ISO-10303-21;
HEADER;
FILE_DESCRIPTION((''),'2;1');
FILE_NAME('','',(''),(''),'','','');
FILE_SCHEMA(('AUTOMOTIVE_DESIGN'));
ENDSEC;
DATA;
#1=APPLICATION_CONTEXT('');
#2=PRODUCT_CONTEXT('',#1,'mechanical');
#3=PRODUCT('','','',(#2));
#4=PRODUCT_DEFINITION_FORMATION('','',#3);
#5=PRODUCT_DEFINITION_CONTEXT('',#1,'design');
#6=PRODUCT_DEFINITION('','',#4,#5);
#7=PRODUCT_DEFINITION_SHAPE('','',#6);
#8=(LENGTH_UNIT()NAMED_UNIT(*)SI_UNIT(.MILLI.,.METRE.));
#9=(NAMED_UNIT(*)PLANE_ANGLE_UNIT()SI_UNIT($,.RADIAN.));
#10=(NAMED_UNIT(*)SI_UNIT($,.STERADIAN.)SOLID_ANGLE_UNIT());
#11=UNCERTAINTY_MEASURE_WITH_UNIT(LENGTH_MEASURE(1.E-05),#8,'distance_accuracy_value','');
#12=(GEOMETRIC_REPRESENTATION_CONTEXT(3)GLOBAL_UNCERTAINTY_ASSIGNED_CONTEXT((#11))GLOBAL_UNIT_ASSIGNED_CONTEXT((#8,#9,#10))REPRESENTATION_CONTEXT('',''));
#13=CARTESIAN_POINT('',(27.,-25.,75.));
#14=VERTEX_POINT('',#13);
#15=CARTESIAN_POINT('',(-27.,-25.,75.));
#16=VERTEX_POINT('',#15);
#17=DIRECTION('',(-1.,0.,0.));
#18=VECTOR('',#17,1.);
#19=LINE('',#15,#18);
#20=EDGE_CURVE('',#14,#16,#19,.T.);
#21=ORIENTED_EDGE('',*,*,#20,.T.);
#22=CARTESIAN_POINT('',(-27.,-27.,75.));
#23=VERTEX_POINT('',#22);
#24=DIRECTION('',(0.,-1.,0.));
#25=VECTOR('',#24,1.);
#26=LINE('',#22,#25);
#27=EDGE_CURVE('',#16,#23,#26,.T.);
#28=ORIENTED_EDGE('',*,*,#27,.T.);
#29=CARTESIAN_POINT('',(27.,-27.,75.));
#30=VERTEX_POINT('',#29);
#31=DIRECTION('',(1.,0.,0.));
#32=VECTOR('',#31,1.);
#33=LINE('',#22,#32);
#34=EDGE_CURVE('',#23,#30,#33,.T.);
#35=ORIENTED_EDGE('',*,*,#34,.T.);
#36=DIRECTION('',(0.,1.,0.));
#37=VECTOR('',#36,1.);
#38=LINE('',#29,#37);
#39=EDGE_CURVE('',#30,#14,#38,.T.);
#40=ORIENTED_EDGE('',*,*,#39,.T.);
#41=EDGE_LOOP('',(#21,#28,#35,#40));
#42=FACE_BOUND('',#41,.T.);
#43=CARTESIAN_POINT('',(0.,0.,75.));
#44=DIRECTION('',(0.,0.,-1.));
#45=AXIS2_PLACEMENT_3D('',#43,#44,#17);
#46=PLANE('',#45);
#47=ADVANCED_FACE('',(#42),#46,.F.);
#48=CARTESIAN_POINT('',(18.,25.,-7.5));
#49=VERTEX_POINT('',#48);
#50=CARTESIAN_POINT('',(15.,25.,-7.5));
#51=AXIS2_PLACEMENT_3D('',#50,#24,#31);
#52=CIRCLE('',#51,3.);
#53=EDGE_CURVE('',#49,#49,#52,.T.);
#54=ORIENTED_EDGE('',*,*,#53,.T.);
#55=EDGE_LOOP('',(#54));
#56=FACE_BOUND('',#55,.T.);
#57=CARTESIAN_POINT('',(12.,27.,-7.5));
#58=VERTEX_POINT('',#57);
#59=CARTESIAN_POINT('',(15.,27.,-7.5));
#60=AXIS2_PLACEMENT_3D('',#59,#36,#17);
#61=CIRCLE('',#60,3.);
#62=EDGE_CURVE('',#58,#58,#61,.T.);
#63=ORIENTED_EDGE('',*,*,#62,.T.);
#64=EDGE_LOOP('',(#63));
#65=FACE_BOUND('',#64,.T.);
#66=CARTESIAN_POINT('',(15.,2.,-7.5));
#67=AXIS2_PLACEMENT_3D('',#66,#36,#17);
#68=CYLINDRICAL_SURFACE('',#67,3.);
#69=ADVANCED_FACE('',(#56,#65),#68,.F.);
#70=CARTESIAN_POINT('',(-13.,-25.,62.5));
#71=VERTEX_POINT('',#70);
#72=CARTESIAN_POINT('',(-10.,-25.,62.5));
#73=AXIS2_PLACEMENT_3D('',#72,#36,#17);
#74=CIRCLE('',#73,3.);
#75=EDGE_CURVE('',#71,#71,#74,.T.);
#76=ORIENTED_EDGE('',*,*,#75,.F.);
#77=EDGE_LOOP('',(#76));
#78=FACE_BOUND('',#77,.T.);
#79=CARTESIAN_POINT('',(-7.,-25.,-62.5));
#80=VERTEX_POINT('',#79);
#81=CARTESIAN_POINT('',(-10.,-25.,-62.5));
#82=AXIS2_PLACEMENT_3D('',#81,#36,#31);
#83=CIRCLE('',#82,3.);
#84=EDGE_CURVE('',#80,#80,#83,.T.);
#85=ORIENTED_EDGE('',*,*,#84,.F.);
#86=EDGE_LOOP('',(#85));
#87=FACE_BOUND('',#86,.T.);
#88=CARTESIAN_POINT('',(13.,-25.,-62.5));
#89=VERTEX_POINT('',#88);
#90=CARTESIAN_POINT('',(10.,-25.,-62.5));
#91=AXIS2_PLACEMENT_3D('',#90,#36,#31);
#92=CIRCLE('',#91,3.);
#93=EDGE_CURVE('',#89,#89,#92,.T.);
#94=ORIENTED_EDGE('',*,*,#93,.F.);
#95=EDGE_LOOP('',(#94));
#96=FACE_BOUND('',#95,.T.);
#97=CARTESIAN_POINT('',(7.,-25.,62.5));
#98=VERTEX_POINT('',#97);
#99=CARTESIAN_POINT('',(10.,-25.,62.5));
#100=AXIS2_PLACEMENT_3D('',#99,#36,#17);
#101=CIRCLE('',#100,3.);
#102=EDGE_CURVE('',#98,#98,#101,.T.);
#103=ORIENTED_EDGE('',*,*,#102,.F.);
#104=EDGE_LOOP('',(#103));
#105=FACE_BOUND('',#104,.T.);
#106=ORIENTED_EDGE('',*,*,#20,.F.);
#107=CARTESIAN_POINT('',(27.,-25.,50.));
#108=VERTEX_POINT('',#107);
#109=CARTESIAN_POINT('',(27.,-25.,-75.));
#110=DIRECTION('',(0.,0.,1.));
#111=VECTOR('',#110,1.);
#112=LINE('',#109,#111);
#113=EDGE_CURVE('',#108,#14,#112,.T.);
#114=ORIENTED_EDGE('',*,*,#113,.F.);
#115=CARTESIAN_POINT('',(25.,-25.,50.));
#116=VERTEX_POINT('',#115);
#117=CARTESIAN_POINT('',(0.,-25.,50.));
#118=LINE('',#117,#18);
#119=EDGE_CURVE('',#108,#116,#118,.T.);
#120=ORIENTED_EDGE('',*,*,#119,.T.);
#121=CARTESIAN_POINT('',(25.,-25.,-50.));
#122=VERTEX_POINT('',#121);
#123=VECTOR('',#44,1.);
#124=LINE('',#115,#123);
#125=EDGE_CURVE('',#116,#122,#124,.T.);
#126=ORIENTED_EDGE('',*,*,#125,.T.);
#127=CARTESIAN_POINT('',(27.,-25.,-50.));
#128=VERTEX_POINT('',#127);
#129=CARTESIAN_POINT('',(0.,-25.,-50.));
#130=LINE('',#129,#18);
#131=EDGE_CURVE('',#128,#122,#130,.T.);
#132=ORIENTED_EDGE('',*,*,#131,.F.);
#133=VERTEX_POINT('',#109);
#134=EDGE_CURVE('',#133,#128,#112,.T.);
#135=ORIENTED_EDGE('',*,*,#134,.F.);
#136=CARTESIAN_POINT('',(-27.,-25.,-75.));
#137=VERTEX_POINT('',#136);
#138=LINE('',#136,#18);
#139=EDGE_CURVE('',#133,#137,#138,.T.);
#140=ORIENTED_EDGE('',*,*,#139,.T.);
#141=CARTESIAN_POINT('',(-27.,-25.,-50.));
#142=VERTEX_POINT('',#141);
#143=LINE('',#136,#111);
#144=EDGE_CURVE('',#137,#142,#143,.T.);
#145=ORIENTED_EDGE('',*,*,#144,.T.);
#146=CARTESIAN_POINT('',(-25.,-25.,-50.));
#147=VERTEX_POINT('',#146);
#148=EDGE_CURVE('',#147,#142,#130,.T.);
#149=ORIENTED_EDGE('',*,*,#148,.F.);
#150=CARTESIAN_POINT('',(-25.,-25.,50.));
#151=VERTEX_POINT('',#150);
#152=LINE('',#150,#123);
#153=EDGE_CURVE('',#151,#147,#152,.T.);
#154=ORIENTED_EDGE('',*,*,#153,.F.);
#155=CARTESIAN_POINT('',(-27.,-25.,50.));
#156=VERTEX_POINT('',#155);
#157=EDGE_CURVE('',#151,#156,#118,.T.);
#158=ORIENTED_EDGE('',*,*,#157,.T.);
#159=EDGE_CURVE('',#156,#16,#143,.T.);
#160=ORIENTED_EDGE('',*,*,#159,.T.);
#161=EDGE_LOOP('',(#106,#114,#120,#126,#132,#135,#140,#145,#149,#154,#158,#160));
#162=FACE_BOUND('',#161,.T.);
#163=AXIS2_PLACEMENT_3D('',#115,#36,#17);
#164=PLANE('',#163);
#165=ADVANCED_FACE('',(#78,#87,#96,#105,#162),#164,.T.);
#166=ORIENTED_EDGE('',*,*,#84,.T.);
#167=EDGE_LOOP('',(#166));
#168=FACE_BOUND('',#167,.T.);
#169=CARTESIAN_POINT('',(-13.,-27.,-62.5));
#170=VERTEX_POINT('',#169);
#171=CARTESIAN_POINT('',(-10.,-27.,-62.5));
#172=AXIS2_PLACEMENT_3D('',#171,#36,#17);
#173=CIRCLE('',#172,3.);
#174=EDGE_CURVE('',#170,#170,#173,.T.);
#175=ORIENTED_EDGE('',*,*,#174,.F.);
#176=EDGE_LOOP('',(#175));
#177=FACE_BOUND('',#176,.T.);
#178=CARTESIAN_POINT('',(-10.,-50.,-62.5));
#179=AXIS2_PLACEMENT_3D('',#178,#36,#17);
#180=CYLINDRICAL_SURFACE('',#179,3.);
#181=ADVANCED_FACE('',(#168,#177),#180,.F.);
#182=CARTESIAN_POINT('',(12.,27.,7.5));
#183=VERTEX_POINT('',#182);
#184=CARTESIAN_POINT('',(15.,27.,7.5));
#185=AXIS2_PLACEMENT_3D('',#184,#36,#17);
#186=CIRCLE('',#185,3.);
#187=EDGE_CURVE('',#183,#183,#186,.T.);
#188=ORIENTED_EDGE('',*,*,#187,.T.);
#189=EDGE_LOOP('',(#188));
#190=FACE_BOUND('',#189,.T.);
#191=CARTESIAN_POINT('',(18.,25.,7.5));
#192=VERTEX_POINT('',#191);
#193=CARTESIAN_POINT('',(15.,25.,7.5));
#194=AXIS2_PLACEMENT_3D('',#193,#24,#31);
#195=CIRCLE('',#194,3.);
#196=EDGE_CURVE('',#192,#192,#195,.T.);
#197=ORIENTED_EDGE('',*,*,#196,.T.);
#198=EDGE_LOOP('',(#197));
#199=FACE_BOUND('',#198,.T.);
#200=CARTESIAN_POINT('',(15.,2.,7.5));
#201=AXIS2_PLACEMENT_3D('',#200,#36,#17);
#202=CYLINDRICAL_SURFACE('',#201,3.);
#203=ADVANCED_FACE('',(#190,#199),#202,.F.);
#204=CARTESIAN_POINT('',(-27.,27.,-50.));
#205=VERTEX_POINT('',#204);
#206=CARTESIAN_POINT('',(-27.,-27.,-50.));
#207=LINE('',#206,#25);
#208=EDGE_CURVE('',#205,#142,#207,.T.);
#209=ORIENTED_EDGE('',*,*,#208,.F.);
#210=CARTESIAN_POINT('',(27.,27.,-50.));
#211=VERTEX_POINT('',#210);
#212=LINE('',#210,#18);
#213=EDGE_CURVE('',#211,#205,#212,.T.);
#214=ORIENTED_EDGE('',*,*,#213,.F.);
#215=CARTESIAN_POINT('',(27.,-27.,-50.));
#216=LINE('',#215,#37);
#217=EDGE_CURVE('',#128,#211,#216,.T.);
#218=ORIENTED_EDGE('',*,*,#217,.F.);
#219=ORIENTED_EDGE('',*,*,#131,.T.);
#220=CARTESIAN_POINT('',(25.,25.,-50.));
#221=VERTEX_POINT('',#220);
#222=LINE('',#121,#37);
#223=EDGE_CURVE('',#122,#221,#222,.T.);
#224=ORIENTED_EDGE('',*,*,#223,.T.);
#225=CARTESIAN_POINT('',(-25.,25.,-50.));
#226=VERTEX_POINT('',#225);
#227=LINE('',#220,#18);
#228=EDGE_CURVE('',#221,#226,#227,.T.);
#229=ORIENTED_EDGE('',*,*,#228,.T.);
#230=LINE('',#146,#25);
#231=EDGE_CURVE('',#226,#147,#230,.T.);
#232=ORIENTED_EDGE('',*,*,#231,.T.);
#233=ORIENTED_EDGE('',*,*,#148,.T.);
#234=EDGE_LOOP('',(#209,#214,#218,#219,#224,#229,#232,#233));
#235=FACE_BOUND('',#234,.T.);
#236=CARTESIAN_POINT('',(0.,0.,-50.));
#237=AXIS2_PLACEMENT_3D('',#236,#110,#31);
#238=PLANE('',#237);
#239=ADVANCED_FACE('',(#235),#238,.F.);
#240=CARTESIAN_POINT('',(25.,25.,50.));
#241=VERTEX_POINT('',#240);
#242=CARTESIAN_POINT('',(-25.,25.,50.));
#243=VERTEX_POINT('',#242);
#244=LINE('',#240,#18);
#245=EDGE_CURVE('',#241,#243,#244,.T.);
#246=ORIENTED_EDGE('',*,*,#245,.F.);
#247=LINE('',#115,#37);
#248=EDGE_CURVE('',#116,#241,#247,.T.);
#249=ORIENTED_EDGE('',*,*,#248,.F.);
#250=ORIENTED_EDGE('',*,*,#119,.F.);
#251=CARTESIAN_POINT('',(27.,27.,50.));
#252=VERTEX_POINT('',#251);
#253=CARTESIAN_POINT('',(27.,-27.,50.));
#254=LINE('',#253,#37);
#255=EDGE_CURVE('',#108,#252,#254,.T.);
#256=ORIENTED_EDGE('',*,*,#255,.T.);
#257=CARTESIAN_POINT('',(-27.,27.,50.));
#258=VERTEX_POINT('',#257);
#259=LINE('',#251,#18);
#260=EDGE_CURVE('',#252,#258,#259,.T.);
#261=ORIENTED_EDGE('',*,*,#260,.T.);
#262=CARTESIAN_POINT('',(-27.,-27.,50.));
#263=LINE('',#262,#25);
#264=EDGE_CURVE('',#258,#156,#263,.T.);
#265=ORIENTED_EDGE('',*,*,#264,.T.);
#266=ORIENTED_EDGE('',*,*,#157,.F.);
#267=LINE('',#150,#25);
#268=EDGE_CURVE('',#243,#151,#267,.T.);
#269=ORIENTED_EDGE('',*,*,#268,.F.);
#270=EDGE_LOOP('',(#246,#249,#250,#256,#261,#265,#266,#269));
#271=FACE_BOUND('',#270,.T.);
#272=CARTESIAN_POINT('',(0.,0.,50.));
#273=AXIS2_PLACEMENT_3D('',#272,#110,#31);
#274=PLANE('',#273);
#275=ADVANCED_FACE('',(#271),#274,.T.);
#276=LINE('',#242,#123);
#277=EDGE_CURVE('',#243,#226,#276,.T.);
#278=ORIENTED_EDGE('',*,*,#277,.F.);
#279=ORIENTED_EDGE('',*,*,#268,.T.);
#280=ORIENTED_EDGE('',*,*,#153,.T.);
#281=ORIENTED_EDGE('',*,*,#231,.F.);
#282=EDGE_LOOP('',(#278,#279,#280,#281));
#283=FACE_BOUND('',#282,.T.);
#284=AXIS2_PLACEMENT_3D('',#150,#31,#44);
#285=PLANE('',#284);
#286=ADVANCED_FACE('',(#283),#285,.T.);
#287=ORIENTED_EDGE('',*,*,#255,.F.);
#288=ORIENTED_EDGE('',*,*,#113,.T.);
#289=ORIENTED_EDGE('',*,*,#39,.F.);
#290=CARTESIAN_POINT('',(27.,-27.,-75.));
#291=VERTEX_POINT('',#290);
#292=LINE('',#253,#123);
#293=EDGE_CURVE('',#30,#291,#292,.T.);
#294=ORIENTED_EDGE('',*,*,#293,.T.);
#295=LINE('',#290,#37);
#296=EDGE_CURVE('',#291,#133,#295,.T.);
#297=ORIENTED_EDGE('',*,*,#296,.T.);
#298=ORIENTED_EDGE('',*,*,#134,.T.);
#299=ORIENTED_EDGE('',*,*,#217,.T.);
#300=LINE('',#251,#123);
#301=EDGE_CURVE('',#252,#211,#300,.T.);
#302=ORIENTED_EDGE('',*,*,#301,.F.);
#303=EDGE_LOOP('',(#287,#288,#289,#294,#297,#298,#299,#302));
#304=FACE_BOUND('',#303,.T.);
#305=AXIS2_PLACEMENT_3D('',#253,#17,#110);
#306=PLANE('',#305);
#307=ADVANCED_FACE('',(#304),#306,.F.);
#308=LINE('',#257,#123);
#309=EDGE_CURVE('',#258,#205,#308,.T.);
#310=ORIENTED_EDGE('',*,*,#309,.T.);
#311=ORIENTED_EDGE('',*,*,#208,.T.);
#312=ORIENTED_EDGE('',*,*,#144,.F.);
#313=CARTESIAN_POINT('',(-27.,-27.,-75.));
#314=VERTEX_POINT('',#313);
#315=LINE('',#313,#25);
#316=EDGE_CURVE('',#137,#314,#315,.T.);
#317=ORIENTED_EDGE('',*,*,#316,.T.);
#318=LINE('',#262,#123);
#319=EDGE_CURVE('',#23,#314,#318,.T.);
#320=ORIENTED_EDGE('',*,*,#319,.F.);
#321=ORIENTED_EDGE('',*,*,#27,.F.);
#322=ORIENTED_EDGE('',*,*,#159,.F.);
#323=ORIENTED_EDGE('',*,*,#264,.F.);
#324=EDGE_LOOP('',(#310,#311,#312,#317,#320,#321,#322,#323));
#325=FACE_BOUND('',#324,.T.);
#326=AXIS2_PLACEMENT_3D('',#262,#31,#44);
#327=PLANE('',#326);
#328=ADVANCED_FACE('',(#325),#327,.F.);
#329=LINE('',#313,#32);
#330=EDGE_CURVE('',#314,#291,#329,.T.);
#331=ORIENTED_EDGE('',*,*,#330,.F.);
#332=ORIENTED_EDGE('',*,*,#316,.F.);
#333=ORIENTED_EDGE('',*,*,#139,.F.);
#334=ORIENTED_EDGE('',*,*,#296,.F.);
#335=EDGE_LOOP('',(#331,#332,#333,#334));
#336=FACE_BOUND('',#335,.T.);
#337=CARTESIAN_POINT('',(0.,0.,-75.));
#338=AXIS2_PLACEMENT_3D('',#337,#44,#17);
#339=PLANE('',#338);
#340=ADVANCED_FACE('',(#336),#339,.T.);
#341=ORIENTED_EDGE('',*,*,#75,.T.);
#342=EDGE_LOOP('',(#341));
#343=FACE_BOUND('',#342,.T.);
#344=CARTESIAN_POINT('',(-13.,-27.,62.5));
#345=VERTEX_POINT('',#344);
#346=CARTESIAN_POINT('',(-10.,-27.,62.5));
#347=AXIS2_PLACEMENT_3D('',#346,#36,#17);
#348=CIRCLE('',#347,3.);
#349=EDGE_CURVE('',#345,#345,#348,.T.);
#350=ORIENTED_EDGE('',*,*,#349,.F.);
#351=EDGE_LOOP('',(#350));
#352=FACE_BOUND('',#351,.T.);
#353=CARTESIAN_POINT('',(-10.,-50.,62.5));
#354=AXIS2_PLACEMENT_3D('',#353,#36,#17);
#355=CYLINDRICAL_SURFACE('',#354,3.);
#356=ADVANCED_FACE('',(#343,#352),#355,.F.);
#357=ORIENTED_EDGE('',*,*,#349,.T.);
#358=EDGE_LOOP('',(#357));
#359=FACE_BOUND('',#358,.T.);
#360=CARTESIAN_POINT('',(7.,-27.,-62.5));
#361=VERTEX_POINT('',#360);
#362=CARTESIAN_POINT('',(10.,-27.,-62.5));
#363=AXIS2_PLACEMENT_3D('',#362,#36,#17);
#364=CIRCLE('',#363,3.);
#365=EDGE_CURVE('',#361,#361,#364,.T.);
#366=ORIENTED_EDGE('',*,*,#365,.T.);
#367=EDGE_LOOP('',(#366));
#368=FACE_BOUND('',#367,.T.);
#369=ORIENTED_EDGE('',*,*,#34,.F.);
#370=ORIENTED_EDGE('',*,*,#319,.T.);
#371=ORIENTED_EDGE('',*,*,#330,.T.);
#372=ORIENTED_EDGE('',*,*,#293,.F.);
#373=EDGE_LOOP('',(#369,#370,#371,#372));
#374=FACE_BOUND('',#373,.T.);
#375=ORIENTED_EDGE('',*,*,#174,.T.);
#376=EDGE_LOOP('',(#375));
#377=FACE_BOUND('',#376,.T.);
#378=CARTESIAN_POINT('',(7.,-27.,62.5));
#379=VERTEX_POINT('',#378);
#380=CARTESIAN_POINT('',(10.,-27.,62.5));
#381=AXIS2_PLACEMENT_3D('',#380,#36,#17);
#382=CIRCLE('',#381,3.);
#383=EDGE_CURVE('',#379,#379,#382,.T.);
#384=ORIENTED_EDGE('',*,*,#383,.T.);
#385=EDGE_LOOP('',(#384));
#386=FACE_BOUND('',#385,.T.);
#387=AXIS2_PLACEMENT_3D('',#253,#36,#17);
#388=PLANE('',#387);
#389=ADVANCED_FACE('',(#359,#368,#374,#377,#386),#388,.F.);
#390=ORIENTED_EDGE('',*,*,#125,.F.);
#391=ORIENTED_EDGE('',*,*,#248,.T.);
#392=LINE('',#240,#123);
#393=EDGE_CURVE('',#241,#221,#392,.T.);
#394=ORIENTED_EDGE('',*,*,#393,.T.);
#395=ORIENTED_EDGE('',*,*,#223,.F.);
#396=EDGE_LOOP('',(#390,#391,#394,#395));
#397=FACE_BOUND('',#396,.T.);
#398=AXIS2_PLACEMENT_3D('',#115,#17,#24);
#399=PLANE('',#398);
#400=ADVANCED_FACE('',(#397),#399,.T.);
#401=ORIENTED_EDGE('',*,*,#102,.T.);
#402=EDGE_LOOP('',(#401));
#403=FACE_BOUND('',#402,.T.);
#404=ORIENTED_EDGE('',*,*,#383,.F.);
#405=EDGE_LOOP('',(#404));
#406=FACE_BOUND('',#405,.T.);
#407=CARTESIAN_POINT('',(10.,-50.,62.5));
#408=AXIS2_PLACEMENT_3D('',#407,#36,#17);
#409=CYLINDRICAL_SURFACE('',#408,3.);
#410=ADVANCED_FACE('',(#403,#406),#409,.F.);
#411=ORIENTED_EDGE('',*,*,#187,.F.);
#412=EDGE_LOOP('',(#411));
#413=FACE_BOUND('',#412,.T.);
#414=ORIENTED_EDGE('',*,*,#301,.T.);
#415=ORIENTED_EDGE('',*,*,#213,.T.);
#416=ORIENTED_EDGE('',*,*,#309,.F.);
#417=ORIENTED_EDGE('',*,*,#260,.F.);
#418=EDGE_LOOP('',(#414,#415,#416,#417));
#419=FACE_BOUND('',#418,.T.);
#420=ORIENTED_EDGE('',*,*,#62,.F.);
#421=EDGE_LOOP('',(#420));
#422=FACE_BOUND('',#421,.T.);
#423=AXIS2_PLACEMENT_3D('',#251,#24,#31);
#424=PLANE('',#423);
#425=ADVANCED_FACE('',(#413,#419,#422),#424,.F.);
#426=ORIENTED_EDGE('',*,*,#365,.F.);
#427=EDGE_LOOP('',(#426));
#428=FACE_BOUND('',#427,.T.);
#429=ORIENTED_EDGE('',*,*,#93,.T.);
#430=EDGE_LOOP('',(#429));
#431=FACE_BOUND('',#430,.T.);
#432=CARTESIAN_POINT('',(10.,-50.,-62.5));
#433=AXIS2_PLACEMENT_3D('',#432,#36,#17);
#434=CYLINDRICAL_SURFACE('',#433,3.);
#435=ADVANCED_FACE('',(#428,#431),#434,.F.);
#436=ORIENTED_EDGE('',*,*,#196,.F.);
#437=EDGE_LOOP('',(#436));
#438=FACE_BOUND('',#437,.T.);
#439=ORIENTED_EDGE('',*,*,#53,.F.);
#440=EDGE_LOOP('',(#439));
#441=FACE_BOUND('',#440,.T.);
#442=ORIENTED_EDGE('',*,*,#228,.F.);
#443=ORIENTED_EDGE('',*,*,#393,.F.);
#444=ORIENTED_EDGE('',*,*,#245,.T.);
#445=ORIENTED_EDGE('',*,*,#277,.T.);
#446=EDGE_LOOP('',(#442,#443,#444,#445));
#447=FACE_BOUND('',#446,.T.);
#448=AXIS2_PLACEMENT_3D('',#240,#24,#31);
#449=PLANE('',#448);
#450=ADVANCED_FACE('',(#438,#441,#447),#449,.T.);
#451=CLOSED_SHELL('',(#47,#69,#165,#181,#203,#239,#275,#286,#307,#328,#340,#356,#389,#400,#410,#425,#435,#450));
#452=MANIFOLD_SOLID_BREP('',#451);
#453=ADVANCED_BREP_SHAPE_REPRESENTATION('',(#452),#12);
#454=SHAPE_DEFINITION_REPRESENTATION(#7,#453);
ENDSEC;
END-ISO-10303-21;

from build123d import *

# Parameters (mm, degrees)
SKETCH1_W                = 54
SKETCH1_H                = 54
SKETCH1_W_2              = 50
SKETCH1_H_2              = 50
BOSS_EXTRUDE1_DEPTH      = 50
BOSS_EXTRUDE2_DEPTH      = 25
BOSS_EXTRUDE2_DEPTH_BACK = 125
SKETCH2_W                = 54
SKETCH2_H                = 2
SKETCH3_R                = 3
CUT_EXTRUDE1_DEPTH       = 25
SKETCH4_R                = 3
CUT_EXTRUDE2_DEPTH       = 25


with BuildPart() as part:
    # Sketch1 → Boss-Extrude1 (new, symmetric)
    with BuildSketch(Plane.XY):
        Rectangle(SKETCH1_W, SKETCH1_H)
        Rectangle(SKETCH1_W_2, SKETCH1_H_2, mode=Mode.SUBTRACT)
    extrude(amount=BOSS_EXTRUDE1_DEPTH, both=True)

    # Sketch2 → Boss-Extrude2 (add, two sides: drawn at the far end of the back side and taken through both)
    with BuildSketch(Plane.XY.offset(50).offset(-BOSS_EXTRUDE2_DEPTH_BACK)):
        with Locations((0, -26)):
            Rectangle(SKETCH2_W, SKETCH2_H)
    extrude(amount=BOSS_EXTRUDE2_DEPTH + BOSS_EXTRUDE2_DEPTH_BACK)

    # Sketch3 → Cut-Extrude1 (cut)
    with BuildSketch(Plane(origin=(0, -25, 0), x_dir=(1, 0, 0), z_dir=(0, 1, 0))):
        with Locations(Location((-10, -62.5, 0), (0, 0, 180))):
            Circle(SKETCH3_R)
        with Locations(Location((10, -62.5, 0), (0, 0, 180))):
            Circle(SKETCH3_R)
        with Locations(Location((10, 62.5, 0), (0, 0, 180))):
            Circle(SKETCH3_R)
        with Locations(Location((-10, 62.5, 0), (0, 0, 180))):
            Circle(SKETCH3_R)
    extrude(amount=-CUT_EXTRUDE1_DEPTH, mode=Mode.SUBTRACT)

    # Sketch4 → Cut-Extrude2 (cut)
    with BuildSketch(Plane(origin=(0, 27, 0), x_dir=(1, 0, 0), z_dir=(0, 1, 0))):
        with Locations(Location((15, 7.5, 0), (0, 0, 180))):
            Circle(SKETCH4_R)
        with Locations(Location((15, -7.5, 0), (0, 0, 180))):
            Circle(SKETCH4_R)
    extrude(amount=-CUT_EXTRUDE2_DEPTH, mode=Mode.SUBTRACT)


solid = part.part
